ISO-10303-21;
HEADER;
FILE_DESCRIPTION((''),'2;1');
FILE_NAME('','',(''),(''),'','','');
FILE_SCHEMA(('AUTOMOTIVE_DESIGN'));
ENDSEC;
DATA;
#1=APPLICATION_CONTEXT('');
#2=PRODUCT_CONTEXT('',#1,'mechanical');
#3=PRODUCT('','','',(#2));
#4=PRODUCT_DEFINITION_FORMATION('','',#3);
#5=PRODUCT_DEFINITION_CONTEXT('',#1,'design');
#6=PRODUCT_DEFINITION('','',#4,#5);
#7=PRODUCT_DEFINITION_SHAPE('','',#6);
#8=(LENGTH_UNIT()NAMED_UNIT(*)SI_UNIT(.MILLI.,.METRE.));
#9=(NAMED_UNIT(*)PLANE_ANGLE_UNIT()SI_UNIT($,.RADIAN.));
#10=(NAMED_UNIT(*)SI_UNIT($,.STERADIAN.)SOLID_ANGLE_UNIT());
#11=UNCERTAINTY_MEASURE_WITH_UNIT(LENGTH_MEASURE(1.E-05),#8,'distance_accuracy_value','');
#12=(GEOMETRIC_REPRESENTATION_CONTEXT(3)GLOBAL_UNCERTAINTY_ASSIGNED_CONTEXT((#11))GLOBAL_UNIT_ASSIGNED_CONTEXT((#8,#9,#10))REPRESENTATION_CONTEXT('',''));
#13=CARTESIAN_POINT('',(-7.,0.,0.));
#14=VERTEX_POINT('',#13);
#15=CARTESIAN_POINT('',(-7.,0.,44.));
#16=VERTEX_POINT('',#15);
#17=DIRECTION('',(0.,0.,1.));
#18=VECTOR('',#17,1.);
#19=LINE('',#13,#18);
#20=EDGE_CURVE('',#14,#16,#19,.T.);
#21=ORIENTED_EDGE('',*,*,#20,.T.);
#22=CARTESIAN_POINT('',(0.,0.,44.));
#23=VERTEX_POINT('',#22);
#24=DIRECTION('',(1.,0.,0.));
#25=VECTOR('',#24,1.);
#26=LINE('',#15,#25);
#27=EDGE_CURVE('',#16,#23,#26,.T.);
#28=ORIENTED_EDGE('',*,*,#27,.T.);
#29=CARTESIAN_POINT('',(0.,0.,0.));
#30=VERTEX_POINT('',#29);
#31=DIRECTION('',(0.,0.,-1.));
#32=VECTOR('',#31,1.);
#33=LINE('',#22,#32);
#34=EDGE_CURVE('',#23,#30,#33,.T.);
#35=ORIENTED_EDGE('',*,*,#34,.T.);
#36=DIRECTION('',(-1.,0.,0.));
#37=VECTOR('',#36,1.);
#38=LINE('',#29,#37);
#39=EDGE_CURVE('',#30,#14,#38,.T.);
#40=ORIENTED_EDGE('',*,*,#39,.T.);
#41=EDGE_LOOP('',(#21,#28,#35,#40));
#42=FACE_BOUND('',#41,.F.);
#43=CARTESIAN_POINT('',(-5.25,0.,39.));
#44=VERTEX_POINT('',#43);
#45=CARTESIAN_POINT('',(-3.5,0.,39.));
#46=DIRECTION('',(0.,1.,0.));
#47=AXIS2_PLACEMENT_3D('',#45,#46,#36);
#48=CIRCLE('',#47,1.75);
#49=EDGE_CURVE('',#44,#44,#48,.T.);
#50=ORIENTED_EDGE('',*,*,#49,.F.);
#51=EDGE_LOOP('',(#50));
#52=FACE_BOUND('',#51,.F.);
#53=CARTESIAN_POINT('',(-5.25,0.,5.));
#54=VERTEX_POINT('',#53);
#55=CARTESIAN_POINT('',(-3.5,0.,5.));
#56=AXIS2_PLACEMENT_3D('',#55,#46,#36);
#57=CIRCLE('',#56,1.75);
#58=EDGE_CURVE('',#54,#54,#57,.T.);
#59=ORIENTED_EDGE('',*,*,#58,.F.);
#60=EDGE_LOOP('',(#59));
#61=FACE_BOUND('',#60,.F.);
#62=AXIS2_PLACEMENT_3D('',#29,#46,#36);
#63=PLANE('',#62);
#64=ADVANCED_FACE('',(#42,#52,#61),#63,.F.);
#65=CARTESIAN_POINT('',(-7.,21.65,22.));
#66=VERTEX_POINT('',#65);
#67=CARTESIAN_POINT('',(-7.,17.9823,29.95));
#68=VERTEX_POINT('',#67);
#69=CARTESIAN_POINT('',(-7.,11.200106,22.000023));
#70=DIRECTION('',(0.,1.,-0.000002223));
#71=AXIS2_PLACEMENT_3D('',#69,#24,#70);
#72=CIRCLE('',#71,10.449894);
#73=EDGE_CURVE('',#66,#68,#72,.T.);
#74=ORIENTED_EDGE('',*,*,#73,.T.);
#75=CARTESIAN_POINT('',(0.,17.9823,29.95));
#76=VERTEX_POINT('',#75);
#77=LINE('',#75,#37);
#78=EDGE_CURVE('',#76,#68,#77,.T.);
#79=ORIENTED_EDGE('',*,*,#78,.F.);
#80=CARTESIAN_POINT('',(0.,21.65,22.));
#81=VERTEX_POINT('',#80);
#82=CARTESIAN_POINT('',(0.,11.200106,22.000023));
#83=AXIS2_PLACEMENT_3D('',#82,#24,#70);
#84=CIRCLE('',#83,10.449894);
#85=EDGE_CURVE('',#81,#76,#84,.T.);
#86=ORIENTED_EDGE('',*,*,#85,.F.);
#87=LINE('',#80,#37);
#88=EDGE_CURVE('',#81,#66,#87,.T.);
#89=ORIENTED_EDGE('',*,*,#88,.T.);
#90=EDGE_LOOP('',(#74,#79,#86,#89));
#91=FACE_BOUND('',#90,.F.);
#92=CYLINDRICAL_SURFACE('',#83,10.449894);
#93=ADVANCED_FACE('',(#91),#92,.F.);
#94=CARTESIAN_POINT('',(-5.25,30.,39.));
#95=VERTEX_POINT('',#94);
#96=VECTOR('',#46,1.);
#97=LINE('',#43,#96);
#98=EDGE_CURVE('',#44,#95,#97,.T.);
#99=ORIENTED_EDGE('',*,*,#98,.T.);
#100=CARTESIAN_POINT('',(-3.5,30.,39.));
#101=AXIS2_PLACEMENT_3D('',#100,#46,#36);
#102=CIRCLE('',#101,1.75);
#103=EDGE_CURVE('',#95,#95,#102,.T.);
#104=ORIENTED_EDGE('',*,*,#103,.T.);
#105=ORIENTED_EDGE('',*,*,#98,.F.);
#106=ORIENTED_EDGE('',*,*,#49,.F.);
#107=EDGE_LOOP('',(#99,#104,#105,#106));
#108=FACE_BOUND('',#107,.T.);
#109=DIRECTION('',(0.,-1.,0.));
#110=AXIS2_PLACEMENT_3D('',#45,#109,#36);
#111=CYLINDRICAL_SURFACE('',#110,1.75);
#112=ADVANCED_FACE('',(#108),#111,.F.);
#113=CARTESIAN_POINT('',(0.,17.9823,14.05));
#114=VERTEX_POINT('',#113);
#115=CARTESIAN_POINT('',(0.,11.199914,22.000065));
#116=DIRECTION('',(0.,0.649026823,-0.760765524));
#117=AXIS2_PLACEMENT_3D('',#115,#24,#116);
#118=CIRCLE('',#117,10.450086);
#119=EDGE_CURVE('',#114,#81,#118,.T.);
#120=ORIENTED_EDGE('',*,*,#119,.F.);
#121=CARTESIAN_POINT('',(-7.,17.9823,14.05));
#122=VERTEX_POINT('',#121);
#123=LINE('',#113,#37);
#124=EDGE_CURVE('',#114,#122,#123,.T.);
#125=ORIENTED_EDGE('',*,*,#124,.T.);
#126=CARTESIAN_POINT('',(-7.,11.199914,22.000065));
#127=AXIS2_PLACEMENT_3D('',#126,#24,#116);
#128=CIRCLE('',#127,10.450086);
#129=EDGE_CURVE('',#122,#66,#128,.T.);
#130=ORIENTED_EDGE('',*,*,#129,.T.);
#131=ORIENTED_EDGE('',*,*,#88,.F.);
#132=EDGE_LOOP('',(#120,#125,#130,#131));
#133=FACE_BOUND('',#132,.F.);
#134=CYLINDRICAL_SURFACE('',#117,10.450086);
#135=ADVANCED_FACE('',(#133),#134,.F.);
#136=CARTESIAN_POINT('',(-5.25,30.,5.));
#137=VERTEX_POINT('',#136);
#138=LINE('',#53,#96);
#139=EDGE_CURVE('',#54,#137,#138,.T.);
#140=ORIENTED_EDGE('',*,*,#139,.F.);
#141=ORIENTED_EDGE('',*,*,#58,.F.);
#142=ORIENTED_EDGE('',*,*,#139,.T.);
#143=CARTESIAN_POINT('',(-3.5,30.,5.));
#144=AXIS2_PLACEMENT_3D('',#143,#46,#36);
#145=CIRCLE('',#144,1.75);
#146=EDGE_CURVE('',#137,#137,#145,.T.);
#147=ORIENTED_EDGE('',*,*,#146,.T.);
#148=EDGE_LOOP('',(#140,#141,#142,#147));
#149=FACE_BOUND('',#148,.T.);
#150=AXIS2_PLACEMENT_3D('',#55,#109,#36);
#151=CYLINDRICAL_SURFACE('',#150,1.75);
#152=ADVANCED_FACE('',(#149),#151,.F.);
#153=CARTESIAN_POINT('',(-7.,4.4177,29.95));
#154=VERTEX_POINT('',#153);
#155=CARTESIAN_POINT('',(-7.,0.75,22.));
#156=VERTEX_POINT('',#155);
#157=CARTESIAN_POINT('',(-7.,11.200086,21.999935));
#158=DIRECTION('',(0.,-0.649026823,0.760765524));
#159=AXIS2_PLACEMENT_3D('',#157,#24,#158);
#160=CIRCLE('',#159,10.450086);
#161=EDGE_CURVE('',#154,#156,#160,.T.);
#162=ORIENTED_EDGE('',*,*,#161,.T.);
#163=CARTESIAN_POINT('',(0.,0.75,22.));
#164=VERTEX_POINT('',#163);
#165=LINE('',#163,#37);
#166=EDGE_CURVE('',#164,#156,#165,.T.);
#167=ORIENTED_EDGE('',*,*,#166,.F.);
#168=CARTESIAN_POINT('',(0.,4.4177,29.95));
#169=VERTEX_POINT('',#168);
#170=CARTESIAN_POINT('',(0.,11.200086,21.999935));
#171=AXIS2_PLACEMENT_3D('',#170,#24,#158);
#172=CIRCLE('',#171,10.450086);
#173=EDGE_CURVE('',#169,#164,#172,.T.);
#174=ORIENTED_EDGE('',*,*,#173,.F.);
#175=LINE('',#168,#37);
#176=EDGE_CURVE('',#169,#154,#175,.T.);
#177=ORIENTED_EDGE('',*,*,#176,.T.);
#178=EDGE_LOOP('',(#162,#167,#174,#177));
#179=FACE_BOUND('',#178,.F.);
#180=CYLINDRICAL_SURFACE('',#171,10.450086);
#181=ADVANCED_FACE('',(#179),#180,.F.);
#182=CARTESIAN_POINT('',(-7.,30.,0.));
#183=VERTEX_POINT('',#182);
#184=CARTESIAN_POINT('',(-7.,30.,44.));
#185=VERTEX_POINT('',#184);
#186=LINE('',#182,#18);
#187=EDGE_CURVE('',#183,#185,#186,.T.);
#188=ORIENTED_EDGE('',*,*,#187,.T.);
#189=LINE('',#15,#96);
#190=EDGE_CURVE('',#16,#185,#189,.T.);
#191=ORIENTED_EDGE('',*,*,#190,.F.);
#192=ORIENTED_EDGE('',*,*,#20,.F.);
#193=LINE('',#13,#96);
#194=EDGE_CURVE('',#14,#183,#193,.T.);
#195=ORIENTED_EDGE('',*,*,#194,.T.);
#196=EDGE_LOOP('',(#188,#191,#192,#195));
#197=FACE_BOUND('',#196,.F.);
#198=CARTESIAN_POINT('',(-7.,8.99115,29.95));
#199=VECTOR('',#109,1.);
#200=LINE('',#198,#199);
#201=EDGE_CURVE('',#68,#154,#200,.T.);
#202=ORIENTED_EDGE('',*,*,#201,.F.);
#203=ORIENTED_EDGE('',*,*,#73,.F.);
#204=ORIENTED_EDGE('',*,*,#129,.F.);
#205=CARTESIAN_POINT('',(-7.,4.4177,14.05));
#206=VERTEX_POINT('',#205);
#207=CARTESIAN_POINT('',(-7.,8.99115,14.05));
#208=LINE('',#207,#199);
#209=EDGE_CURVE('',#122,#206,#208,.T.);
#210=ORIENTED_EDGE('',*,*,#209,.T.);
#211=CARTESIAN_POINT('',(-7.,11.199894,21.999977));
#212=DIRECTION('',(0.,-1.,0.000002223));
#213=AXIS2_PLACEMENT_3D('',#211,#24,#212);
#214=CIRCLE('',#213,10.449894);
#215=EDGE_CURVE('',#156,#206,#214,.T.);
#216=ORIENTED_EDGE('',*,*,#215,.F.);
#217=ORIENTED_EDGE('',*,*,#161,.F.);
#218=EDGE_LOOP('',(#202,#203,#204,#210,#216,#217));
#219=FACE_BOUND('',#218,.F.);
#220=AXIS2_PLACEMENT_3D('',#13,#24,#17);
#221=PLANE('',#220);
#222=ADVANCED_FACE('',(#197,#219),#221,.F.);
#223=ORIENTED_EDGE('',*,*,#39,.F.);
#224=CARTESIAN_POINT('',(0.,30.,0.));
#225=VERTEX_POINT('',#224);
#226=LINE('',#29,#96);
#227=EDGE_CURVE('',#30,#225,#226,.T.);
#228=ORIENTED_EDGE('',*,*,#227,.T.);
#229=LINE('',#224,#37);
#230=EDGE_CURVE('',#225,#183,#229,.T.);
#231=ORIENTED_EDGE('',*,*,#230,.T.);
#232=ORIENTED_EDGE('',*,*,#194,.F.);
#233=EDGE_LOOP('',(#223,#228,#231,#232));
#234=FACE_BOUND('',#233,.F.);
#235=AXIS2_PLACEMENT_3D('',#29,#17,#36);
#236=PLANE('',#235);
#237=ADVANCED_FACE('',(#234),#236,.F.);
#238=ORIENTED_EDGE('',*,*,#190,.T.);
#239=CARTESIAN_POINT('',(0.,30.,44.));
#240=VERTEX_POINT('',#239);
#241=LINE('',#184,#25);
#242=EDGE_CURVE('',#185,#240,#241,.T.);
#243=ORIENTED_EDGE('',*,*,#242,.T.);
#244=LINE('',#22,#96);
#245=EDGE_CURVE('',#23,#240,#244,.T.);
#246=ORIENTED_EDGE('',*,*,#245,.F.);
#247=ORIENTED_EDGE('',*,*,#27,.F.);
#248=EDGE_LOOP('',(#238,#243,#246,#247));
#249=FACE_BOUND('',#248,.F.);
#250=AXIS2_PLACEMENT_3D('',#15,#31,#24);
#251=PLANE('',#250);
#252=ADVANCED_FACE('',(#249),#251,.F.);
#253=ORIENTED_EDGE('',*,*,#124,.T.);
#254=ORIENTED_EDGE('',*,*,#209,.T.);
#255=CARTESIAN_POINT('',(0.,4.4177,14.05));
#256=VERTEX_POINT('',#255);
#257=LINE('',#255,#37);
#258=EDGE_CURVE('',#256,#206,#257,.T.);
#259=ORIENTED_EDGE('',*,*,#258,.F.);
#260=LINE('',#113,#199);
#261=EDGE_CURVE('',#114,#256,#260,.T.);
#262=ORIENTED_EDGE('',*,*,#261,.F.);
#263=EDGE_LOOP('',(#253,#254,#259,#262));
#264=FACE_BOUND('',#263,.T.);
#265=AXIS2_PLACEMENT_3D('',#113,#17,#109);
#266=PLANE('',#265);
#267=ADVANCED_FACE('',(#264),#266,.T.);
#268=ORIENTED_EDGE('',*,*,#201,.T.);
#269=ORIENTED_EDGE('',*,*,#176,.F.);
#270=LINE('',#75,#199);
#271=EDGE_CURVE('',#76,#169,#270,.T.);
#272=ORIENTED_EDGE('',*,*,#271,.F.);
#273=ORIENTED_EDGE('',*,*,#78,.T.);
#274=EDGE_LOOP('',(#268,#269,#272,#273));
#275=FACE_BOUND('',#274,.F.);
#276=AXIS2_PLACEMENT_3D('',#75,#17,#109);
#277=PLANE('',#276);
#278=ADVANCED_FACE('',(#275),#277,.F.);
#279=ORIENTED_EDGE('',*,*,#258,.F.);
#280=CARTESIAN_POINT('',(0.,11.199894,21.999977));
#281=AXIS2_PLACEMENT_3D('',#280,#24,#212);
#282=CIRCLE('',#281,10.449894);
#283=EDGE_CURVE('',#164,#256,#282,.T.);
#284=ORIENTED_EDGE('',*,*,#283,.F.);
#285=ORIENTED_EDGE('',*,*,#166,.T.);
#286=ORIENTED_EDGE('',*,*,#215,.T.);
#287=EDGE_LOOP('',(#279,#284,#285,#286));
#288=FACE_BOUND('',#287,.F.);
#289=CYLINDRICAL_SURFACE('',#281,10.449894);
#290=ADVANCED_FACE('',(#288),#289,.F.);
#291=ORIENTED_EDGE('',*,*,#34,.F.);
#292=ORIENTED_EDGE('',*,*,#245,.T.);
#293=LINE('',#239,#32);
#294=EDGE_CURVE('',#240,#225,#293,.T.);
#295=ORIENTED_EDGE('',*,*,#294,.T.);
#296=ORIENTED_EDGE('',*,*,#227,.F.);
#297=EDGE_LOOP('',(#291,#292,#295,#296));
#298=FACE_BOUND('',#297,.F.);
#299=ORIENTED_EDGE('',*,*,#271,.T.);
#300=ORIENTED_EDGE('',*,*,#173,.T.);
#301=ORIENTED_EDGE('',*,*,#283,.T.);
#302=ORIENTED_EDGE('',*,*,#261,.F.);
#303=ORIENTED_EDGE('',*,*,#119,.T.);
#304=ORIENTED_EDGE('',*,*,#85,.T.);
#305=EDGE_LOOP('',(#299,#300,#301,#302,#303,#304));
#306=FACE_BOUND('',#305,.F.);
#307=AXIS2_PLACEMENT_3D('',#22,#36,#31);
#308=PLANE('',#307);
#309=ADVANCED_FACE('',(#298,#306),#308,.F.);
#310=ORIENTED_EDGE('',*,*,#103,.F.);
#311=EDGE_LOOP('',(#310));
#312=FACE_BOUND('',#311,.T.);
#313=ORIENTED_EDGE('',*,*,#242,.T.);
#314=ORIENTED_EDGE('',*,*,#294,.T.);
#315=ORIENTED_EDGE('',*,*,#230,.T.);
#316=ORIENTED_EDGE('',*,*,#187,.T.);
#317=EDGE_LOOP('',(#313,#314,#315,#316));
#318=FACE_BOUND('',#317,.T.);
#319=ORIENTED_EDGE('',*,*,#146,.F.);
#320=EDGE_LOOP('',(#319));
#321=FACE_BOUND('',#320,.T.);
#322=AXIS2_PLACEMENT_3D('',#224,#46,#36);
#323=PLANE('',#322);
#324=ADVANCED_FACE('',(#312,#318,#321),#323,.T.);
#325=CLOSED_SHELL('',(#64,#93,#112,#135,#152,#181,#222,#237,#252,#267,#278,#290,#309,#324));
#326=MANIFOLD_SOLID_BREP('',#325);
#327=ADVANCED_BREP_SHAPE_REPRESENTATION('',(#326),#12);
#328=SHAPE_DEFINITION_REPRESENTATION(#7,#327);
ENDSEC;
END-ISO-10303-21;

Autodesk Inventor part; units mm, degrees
ref_plane "YZ Plane" through (0, 0, 0) normal (1, 0, 0) x (0, 1, 0)
ref_plane "XZ Plane" through (0, 0, 0) normal (0, 1, 0) x (-1, 0, 0)
ref_plane "XY Plane" through (0, 0, 0) normal (0, 0, 1) x (1, 0, 0)
sketch "Эскиз1" plane through (0, 0, 0) normal (0, 1, 0) x (-1, 0, 0)
  line L0 (7, 44) -> (0, 44)
  line L1 (0, 44) -> (0, 0)
  line L2 (0, 0) -> (7, 0)
  line L3 (7, 0) -> (7, 44)
  circle A0 centre (3.5, 39) radius 1.75
  line L4 (3.5, 44) -> (3.5, 0) construction
  line L5 (7, 22) -> (0, 22) construction
  circle A1 centre (3.5, 5) radius 1.75
  line L6 (0, 0) -> (21.6964, 0) construction
  line L7 (0, 0) -> (0, 52.547) construction
  point P0 (14.925, 0)
  point P1 (0, 24.3748)
  dimension "d0" = 44
  dimension "d1" = 7
  dimension "d2" = 3.5
  dimension "d3" = 34
extrude "Выдавливание1" add sketch "Эскиз1" along normal blind 30
sketch "Эскиз2" plane through (0, 0, 44) normal (1, 0, 0) x (0, 0, -1)
  line L0 (0, 0) -> (44, 0) construction
  line L1 (44, 0) -> (44, 30) construction
  line L2 (0, 30) -> (44, 30) construction
  line L3 (0, 0) -> (0, 30) construction
  line L4 (0, 30) -> (44, 30) construction
  line L5 (22, 30) -> (22, 0) construction
  line L6 (0, 0) -> (0, 30) construction
  line L7 (0, 15) -> (44, 15) construction
  line L8 (44, 0) -> (44, 30) construction
  arc A0 (14.05, 17.9823) -> (14.05, 4.4177) centre (22, 11.2) ccw construction
  line L9 (14.05, 17.9823) -> (14.05, 4.4177)
  line L10 (29.95, 17.9823) -> (29.95, 4.4177)
  arc A1 (22, 21.65) -> (14.05, 17.9823) centre (22, 11.2) ccw
  arc A2 (29.95, 17.9823) -> (22, 21.65) centre (22, 11.2) ccw
  arc A3 (29.95, 4.4177) -> (29.95, 17.9823) centre (22, 11.2) ccw construction
  arc A4 (22, 0.75) -> (29.95, 4.4177) centre (22, 11.2) ccw
  arc A5 (14.05, 4.4177) -> (22, 0.75) centre (22, 11.2) ccw
  dimension "d6" = 11.2
  dimension "d7" = 20.9
  dimension "d8" = 15.9
extrude "Выдавливание2" cut sketch "Эскиз2" against normal blind 30
sketch "Эскиз3" plane through (0, 0, 44) normal (1, 0, 0) x (0, 0, -1)
  line L0 (44, 0) -> (44, 30) construction
  line L1 (0, 0) -> (0, 30) construction
  line L2 (0, 0) -> (0, 30) construction
  line L3 (0, 15) -> (44, 15)
properties part number "motor_back"
